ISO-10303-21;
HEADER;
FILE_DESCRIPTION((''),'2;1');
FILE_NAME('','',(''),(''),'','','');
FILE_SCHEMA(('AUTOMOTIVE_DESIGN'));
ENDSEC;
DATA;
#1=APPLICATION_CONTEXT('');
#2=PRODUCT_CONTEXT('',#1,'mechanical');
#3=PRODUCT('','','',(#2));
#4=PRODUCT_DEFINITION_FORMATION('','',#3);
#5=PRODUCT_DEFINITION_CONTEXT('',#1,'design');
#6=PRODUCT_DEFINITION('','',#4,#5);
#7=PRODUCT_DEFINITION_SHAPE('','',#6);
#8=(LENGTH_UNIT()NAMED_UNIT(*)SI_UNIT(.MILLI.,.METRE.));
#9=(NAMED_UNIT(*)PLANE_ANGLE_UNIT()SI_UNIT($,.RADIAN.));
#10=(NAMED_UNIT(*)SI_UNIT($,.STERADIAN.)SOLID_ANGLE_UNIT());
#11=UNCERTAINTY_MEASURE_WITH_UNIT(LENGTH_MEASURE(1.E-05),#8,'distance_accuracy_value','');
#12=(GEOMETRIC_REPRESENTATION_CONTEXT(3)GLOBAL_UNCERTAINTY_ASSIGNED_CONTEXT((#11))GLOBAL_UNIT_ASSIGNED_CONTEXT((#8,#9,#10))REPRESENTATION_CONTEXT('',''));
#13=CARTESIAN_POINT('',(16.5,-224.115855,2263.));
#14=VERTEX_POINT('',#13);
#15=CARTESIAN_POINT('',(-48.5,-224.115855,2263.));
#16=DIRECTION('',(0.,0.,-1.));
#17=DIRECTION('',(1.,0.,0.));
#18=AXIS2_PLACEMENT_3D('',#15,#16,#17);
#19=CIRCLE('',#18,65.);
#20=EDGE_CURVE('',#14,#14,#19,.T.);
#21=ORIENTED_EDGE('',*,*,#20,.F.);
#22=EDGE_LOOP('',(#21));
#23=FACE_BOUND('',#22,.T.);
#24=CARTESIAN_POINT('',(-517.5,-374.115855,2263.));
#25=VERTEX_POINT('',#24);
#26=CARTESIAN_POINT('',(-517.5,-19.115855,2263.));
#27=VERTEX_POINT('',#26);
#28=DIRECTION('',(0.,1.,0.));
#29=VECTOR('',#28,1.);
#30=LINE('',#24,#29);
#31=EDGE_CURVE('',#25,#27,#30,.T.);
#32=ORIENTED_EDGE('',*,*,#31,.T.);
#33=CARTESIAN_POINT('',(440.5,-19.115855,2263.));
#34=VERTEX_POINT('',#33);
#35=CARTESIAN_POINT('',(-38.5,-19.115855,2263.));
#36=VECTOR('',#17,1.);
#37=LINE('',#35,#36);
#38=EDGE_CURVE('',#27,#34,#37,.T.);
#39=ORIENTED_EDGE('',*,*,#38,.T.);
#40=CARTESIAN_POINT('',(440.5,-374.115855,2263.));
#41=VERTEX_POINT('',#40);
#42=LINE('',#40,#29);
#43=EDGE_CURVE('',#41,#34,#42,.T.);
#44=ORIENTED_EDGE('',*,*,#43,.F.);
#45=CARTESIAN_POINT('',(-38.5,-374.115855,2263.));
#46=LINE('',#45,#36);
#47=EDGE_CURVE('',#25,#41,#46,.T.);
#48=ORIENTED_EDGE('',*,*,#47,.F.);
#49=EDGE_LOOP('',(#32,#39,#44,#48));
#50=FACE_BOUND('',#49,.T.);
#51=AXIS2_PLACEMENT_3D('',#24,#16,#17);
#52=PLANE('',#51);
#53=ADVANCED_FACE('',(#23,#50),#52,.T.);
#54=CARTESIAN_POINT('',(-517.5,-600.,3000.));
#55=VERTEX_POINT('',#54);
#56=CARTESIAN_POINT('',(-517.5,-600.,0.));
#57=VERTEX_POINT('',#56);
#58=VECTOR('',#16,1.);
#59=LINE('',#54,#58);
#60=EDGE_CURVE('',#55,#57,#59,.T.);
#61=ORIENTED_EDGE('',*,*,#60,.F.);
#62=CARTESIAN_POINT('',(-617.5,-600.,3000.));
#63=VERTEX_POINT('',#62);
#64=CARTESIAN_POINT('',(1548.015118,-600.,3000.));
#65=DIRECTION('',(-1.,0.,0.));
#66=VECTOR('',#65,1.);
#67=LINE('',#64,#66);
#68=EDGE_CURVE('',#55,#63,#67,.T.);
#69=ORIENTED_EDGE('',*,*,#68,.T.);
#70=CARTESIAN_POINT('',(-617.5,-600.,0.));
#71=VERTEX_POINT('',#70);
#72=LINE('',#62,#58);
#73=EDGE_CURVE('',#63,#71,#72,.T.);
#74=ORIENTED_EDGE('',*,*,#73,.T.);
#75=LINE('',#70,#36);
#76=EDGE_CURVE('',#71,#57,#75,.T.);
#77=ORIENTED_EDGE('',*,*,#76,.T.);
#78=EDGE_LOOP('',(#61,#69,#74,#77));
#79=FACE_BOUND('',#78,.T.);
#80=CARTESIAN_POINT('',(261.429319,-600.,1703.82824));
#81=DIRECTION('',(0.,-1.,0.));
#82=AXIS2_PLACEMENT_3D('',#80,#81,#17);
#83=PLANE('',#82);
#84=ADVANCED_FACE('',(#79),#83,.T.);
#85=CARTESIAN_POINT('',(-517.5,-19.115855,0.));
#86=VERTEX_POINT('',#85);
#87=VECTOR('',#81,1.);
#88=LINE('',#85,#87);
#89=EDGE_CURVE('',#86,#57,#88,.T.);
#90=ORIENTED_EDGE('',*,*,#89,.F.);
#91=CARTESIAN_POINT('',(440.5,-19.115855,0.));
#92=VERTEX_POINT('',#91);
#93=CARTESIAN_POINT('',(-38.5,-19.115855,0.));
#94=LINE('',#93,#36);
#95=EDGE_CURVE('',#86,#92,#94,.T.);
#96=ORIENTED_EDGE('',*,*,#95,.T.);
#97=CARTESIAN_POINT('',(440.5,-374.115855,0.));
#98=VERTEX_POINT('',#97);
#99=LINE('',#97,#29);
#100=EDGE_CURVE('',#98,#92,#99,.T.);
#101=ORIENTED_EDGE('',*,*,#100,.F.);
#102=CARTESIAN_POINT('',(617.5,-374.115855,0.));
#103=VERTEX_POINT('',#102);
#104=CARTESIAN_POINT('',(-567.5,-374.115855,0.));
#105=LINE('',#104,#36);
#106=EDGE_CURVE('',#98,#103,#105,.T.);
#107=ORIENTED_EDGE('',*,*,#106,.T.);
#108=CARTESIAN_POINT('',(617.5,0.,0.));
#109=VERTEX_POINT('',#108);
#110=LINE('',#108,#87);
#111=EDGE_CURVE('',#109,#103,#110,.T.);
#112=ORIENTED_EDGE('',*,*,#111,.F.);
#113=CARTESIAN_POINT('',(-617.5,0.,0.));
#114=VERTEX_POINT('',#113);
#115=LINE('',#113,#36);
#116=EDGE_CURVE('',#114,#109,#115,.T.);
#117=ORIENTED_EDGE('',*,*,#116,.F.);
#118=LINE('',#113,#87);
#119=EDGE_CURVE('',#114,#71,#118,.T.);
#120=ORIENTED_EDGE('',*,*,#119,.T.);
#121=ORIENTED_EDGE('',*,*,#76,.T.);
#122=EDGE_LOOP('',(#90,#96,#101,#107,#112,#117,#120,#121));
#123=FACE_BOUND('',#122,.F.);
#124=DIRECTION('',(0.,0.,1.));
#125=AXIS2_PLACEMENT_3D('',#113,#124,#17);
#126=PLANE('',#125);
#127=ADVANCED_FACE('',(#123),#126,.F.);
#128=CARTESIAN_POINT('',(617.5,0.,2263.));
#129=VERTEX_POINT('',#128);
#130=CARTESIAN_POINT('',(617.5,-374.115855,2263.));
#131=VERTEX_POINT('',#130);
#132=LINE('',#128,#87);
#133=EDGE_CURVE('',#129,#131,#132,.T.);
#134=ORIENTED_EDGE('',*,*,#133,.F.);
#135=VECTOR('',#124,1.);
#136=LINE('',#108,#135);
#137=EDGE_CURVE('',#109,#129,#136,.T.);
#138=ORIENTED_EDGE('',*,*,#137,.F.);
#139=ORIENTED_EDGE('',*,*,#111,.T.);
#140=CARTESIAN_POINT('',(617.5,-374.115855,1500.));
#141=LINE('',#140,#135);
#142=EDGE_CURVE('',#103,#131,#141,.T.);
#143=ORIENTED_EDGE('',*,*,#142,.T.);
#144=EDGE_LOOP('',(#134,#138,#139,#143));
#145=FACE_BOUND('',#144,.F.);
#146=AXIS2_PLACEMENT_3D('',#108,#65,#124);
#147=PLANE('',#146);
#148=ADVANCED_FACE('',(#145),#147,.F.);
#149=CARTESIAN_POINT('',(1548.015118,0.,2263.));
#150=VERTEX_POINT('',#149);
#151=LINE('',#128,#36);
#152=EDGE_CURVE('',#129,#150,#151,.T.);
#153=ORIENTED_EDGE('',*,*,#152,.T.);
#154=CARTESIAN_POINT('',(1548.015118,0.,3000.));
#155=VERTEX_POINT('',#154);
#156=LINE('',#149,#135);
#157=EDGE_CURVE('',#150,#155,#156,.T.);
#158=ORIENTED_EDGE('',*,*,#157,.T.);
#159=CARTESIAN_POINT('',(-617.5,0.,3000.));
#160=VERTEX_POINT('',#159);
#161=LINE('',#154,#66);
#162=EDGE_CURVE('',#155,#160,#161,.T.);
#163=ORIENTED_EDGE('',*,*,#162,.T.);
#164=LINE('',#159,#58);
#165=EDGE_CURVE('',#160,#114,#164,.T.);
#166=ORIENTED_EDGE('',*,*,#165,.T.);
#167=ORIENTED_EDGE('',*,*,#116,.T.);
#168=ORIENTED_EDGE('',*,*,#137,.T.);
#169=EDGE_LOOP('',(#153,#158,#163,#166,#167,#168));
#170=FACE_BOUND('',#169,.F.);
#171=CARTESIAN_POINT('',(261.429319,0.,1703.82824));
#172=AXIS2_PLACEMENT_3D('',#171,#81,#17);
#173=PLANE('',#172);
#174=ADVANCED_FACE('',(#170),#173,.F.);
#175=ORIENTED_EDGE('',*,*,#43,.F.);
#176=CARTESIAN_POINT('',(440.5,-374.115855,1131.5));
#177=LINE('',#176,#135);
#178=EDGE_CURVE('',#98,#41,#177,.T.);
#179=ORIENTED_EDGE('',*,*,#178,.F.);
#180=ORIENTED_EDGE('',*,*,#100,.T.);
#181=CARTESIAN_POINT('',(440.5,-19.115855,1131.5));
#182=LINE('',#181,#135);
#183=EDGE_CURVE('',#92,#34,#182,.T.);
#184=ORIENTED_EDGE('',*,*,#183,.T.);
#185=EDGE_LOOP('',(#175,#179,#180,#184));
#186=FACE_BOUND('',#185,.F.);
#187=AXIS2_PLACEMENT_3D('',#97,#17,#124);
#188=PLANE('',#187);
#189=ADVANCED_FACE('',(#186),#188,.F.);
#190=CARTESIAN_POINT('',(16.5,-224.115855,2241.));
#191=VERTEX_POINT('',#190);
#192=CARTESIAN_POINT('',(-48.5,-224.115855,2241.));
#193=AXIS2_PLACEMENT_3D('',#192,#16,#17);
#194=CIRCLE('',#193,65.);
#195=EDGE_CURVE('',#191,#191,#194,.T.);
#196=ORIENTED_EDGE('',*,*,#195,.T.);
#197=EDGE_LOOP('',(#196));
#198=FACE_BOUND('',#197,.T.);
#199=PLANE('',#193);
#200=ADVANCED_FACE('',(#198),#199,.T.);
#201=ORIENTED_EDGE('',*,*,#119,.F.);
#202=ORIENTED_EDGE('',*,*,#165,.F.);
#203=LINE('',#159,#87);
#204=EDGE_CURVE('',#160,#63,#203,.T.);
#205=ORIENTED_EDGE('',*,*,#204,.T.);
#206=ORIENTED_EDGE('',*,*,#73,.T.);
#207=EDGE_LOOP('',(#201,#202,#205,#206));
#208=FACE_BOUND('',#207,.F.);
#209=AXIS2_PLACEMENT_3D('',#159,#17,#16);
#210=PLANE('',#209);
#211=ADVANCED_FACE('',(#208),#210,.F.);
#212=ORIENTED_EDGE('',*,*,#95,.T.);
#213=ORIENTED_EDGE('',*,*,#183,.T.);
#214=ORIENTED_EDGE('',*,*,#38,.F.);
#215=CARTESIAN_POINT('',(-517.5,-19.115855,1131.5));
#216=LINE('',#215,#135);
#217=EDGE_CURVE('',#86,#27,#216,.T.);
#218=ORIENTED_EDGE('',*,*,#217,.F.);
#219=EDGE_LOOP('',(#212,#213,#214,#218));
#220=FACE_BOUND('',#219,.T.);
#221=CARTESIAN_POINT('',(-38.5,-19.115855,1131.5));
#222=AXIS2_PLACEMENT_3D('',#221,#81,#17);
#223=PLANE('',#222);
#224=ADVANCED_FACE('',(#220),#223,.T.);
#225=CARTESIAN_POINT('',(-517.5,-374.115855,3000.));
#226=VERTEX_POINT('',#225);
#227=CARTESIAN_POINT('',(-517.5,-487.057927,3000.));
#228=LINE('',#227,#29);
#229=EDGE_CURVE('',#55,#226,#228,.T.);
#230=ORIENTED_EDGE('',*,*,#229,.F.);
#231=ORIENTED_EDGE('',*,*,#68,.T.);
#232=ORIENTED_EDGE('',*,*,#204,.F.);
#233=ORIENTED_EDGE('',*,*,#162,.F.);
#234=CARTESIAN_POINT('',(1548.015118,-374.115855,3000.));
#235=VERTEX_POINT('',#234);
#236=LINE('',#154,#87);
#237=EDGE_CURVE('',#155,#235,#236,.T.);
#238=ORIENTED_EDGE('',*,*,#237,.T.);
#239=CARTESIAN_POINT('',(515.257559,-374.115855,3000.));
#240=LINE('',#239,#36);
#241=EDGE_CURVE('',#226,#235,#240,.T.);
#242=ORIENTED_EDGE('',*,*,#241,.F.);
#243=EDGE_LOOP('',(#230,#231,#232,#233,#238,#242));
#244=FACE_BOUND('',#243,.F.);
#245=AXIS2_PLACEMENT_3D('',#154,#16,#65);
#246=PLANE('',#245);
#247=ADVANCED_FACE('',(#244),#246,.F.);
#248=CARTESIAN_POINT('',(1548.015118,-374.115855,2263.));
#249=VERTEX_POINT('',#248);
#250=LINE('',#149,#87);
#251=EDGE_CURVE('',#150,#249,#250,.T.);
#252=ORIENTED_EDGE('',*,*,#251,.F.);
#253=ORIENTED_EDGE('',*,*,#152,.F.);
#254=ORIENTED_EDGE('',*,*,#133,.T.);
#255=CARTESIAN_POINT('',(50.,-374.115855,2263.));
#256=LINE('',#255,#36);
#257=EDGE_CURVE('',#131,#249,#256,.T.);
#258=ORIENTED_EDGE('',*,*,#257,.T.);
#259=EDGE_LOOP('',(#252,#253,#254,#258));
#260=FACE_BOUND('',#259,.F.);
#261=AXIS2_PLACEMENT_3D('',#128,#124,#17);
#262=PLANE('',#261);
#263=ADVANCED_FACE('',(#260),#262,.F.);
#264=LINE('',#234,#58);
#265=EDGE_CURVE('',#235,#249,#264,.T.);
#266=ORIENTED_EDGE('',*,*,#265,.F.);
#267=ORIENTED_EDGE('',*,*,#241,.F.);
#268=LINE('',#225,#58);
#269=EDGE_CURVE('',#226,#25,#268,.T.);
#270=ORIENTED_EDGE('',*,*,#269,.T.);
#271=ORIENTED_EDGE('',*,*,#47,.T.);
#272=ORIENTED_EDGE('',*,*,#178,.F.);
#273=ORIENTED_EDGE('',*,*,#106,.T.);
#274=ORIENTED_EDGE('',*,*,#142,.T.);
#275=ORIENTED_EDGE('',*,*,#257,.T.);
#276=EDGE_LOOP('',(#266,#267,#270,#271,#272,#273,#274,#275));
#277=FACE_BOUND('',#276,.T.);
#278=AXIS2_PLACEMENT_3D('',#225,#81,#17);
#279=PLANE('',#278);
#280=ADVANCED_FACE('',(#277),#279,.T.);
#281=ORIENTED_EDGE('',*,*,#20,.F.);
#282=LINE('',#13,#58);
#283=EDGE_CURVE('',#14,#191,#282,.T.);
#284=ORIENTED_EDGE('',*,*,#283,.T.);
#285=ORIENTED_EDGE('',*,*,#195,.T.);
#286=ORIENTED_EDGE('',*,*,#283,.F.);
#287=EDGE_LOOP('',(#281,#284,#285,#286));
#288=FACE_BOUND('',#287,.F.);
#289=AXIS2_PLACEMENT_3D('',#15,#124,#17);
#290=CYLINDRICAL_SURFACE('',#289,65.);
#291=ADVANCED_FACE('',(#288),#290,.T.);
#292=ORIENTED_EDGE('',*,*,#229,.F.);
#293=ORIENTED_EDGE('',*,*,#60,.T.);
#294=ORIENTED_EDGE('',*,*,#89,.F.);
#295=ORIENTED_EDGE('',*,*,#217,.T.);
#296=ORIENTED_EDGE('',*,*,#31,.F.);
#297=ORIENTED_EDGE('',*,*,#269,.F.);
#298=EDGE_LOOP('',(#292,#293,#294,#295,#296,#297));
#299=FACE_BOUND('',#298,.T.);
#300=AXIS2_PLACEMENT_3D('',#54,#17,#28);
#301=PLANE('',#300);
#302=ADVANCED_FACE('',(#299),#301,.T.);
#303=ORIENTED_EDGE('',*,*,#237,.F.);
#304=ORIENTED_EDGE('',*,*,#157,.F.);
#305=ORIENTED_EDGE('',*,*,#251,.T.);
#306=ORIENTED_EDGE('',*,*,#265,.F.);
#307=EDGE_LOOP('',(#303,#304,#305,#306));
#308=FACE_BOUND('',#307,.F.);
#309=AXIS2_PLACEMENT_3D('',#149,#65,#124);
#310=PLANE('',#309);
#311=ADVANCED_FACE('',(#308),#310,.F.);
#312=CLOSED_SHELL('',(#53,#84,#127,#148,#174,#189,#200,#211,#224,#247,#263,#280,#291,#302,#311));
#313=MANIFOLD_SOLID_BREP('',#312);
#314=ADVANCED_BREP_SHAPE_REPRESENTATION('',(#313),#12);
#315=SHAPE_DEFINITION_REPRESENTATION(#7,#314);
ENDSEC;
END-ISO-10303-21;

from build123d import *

# Parameters (mm, degrees)
F1_DEPTH = 600
F2_W     = 2065.5151176453
F2_H     = 225.8841454983
F3_DEPTH = 4000
F4_W     = 958
F4_H     = 2263
F5_DEPTH = 355
F6_R     = 65
F7_DEPTH = 22


with BuildPart() as f1:
    # F0 (on Front) → F1 (new body)
    with BuildSketch(Plane.XZ):
        Polygon((-617.5, 3000), (-617.5, 0), (617.5, 0), (617.5, 2263), (1548.0151176453, 2263), (1548.0151176453, 3000), align=None)
    extrude(amount=F1_DEPTH)

    # F2 (on face) → F3 (cut)
    with BuildSketch(Plane.XY.offset(3000)):
        with Locations((515.2575588226, -487.0579272509)):
            Rectangle(F2_W, F2_H)
    extrude(amount=-F3_DEPTH, mode=Mode.SUBTRACT)

    # F4 (on face) → F5 (cut)
    with BuildSketch(Plane.XZ.offset(374.1158545017)):
        with Locations((-38.5, 1131.5)):
            Rectangle(F4_W, F4_H)
    extrude(amount=-F5_DEPTH, mode=Mode.SUBTRACT)

    # F6 (on face) → F7 (join)
    with BuildSketch(Plane(origin=(0, 0, 2263), x_dir=(1, 0, 0), z_dir=(0, 0, -1))):
        with Locations((-48.5, 224.1158545017)):
            Circle(F6_R)
    extrude(amount=F7_DEPTH)


solid = f1.part
